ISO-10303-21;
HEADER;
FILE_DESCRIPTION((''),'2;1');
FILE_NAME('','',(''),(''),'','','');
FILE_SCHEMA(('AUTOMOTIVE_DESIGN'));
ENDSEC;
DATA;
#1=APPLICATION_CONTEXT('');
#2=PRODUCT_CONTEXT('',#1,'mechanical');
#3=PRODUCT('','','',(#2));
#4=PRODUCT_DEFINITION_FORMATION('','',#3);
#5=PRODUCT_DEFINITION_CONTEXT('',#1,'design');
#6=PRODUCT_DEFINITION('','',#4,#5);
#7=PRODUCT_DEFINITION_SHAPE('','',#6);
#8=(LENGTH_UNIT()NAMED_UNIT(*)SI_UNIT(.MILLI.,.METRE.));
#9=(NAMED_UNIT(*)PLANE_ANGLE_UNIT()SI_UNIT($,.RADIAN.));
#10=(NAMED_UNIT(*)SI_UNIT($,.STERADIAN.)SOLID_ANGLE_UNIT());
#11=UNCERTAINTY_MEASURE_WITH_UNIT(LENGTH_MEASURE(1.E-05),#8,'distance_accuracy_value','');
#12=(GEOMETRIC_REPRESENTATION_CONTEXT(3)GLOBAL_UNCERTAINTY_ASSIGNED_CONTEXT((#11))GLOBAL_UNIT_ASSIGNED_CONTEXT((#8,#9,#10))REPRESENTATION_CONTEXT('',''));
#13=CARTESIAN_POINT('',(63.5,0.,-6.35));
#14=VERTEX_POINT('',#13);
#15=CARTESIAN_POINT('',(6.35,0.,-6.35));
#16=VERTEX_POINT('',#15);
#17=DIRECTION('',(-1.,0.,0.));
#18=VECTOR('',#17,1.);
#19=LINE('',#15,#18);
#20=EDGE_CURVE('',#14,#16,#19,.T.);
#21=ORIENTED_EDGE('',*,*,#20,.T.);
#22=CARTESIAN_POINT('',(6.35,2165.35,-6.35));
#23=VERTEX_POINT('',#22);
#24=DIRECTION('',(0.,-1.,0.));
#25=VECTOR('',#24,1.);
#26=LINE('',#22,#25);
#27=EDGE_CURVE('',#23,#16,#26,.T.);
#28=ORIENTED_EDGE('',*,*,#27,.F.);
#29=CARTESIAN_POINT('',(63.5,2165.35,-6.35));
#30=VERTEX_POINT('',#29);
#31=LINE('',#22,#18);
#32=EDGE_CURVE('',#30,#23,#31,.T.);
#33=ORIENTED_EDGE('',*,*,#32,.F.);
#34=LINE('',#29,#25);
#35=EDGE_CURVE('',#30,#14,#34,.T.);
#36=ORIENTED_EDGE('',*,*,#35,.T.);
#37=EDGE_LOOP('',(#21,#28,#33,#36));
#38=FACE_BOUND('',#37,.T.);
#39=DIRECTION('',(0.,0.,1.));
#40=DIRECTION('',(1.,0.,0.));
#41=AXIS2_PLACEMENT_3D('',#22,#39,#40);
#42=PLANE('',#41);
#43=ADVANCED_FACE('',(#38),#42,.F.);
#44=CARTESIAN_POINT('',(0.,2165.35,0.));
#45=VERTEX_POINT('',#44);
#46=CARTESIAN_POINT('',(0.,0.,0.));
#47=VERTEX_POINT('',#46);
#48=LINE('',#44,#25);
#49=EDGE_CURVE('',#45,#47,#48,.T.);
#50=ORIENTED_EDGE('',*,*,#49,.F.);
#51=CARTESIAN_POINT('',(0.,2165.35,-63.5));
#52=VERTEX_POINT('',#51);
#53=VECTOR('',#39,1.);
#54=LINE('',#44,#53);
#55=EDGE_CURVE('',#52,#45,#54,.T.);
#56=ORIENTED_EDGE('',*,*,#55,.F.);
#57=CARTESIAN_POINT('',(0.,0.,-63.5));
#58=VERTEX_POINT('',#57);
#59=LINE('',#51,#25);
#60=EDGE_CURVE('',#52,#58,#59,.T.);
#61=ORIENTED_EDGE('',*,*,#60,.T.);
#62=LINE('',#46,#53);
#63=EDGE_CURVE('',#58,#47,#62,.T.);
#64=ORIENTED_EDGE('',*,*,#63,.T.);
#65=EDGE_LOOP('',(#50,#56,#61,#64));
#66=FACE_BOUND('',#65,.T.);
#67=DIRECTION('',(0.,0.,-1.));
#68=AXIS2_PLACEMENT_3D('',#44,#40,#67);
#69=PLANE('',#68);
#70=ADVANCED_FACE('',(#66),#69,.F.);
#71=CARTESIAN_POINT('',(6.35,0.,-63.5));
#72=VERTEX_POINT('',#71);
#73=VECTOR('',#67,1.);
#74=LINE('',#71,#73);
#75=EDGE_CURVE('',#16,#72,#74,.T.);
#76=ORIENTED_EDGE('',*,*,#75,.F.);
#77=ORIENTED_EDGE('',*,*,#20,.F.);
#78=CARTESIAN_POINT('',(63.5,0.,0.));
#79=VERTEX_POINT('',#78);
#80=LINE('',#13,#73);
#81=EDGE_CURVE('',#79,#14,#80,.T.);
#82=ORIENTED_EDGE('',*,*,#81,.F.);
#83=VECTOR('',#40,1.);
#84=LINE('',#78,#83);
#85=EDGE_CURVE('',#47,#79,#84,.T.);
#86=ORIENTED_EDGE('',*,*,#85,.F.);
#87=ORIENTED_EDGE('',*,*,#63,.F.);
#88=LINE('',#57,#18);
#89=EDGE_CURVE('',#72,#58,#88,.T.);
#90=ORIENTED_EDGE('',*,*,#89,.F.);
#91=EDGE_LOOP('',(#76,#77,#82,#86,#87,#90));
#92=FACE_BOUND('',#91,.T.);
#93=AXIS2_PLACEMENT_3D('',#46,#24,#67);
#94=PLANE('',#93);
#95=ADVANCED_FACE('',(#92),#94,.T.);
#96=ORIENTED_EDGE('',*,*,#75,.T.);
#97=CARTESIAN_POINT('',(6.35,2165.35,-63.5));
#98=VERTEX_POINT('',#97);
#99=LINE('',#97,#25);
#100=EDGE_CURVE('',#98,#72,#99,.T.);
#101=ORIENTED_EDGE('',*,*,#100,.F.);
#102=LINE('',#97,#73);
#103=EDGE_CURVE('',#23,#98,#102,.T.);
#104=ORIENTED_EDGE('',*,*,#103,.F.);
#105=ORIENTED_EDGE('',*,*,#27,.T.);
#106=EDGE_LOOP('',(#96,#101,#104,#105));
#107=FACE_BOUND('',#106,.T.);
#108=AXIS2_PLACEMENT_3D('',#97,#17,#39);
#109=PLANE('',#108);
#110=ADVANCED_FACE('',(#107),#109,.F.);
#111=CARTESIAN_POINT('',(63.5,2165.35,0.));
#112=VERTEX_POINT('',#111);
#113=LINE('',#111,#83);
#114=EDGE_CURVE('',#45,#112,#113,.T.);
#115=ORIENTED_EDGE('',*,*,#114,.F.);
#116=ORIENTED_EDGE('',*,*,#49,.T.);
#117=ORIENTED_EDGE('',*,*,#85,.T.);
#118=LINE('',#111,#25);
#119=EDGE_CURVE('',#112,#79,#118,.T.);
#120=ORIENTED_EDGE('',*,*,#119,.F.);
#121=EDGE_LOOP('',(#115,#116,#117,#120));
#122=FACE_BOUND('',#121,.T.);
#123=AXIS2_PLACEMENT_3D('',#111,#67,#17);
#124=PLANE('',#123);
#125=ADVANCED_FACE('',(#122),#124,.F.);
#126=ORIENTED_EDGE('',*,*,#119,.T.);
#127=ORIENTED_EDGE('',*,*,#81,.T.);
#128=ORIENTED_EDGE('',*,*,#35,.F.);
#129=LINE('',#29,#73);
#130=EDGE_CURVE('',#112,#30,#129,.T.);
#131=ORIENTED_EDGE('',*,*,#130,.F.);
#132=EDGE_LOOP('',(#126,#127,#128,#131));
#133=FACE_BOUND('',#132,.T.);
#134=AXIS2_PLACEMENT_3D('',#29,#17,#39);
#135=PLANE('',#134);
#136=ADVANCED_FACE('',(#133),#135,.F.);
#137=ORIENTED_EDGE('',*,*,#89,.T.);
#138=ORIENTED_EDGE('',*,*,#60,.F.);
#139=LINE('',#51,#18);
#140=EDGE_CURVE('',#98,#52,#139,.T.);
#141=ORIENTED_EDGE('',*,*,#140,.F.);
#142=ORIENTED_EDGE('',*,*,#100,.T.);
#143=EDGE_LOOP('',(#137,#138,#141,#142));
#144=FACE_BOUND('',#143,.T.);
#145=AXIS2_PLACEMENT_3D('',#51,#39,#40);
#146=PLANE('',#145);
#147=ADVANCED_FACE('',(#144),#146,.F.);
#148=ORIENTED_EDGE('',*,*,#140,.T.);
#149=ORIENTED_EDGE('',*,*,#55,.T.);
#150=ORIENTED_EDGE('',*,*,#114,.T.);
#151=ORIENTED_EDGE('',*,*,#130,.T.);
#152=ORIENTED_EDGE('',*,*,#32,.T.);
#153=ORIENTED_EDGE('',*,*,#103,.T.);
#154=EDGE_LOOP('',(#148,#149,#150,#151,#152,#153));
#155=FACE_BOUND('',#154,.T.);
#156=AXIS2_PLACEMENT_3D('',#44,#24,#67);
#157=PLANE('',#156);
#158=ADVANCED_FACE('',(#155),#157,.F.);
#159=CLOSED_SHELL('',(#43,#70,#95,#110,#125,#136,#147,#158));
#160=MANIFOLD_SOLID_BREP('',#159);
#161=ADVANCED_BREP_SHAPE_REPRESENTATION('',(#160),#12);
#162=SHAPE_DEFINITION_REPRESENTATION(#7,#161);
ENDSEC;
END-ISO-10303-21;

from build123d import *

# Parameters (mm, degrees)
BOSS_EXTRUDE1_DEPTH = 2165.35


with BuildPart() as part:
    # Sketch1 → Boss-Extrude1 (new body)
    with BuildSketch(Plane(origin=(0, 0, 0), x_dir=(1, 0, 0), z_dir=(0, 1, 0))):
        Polygon((0, 0), (0, 63.5), (6.35, 63.5), (6.35, 6.35), (63.5, 6.35), (63.5, 0), align=None)
    extrude(amount=BOSS_EXTRUDE1_DEPTH)


solid = part.part
